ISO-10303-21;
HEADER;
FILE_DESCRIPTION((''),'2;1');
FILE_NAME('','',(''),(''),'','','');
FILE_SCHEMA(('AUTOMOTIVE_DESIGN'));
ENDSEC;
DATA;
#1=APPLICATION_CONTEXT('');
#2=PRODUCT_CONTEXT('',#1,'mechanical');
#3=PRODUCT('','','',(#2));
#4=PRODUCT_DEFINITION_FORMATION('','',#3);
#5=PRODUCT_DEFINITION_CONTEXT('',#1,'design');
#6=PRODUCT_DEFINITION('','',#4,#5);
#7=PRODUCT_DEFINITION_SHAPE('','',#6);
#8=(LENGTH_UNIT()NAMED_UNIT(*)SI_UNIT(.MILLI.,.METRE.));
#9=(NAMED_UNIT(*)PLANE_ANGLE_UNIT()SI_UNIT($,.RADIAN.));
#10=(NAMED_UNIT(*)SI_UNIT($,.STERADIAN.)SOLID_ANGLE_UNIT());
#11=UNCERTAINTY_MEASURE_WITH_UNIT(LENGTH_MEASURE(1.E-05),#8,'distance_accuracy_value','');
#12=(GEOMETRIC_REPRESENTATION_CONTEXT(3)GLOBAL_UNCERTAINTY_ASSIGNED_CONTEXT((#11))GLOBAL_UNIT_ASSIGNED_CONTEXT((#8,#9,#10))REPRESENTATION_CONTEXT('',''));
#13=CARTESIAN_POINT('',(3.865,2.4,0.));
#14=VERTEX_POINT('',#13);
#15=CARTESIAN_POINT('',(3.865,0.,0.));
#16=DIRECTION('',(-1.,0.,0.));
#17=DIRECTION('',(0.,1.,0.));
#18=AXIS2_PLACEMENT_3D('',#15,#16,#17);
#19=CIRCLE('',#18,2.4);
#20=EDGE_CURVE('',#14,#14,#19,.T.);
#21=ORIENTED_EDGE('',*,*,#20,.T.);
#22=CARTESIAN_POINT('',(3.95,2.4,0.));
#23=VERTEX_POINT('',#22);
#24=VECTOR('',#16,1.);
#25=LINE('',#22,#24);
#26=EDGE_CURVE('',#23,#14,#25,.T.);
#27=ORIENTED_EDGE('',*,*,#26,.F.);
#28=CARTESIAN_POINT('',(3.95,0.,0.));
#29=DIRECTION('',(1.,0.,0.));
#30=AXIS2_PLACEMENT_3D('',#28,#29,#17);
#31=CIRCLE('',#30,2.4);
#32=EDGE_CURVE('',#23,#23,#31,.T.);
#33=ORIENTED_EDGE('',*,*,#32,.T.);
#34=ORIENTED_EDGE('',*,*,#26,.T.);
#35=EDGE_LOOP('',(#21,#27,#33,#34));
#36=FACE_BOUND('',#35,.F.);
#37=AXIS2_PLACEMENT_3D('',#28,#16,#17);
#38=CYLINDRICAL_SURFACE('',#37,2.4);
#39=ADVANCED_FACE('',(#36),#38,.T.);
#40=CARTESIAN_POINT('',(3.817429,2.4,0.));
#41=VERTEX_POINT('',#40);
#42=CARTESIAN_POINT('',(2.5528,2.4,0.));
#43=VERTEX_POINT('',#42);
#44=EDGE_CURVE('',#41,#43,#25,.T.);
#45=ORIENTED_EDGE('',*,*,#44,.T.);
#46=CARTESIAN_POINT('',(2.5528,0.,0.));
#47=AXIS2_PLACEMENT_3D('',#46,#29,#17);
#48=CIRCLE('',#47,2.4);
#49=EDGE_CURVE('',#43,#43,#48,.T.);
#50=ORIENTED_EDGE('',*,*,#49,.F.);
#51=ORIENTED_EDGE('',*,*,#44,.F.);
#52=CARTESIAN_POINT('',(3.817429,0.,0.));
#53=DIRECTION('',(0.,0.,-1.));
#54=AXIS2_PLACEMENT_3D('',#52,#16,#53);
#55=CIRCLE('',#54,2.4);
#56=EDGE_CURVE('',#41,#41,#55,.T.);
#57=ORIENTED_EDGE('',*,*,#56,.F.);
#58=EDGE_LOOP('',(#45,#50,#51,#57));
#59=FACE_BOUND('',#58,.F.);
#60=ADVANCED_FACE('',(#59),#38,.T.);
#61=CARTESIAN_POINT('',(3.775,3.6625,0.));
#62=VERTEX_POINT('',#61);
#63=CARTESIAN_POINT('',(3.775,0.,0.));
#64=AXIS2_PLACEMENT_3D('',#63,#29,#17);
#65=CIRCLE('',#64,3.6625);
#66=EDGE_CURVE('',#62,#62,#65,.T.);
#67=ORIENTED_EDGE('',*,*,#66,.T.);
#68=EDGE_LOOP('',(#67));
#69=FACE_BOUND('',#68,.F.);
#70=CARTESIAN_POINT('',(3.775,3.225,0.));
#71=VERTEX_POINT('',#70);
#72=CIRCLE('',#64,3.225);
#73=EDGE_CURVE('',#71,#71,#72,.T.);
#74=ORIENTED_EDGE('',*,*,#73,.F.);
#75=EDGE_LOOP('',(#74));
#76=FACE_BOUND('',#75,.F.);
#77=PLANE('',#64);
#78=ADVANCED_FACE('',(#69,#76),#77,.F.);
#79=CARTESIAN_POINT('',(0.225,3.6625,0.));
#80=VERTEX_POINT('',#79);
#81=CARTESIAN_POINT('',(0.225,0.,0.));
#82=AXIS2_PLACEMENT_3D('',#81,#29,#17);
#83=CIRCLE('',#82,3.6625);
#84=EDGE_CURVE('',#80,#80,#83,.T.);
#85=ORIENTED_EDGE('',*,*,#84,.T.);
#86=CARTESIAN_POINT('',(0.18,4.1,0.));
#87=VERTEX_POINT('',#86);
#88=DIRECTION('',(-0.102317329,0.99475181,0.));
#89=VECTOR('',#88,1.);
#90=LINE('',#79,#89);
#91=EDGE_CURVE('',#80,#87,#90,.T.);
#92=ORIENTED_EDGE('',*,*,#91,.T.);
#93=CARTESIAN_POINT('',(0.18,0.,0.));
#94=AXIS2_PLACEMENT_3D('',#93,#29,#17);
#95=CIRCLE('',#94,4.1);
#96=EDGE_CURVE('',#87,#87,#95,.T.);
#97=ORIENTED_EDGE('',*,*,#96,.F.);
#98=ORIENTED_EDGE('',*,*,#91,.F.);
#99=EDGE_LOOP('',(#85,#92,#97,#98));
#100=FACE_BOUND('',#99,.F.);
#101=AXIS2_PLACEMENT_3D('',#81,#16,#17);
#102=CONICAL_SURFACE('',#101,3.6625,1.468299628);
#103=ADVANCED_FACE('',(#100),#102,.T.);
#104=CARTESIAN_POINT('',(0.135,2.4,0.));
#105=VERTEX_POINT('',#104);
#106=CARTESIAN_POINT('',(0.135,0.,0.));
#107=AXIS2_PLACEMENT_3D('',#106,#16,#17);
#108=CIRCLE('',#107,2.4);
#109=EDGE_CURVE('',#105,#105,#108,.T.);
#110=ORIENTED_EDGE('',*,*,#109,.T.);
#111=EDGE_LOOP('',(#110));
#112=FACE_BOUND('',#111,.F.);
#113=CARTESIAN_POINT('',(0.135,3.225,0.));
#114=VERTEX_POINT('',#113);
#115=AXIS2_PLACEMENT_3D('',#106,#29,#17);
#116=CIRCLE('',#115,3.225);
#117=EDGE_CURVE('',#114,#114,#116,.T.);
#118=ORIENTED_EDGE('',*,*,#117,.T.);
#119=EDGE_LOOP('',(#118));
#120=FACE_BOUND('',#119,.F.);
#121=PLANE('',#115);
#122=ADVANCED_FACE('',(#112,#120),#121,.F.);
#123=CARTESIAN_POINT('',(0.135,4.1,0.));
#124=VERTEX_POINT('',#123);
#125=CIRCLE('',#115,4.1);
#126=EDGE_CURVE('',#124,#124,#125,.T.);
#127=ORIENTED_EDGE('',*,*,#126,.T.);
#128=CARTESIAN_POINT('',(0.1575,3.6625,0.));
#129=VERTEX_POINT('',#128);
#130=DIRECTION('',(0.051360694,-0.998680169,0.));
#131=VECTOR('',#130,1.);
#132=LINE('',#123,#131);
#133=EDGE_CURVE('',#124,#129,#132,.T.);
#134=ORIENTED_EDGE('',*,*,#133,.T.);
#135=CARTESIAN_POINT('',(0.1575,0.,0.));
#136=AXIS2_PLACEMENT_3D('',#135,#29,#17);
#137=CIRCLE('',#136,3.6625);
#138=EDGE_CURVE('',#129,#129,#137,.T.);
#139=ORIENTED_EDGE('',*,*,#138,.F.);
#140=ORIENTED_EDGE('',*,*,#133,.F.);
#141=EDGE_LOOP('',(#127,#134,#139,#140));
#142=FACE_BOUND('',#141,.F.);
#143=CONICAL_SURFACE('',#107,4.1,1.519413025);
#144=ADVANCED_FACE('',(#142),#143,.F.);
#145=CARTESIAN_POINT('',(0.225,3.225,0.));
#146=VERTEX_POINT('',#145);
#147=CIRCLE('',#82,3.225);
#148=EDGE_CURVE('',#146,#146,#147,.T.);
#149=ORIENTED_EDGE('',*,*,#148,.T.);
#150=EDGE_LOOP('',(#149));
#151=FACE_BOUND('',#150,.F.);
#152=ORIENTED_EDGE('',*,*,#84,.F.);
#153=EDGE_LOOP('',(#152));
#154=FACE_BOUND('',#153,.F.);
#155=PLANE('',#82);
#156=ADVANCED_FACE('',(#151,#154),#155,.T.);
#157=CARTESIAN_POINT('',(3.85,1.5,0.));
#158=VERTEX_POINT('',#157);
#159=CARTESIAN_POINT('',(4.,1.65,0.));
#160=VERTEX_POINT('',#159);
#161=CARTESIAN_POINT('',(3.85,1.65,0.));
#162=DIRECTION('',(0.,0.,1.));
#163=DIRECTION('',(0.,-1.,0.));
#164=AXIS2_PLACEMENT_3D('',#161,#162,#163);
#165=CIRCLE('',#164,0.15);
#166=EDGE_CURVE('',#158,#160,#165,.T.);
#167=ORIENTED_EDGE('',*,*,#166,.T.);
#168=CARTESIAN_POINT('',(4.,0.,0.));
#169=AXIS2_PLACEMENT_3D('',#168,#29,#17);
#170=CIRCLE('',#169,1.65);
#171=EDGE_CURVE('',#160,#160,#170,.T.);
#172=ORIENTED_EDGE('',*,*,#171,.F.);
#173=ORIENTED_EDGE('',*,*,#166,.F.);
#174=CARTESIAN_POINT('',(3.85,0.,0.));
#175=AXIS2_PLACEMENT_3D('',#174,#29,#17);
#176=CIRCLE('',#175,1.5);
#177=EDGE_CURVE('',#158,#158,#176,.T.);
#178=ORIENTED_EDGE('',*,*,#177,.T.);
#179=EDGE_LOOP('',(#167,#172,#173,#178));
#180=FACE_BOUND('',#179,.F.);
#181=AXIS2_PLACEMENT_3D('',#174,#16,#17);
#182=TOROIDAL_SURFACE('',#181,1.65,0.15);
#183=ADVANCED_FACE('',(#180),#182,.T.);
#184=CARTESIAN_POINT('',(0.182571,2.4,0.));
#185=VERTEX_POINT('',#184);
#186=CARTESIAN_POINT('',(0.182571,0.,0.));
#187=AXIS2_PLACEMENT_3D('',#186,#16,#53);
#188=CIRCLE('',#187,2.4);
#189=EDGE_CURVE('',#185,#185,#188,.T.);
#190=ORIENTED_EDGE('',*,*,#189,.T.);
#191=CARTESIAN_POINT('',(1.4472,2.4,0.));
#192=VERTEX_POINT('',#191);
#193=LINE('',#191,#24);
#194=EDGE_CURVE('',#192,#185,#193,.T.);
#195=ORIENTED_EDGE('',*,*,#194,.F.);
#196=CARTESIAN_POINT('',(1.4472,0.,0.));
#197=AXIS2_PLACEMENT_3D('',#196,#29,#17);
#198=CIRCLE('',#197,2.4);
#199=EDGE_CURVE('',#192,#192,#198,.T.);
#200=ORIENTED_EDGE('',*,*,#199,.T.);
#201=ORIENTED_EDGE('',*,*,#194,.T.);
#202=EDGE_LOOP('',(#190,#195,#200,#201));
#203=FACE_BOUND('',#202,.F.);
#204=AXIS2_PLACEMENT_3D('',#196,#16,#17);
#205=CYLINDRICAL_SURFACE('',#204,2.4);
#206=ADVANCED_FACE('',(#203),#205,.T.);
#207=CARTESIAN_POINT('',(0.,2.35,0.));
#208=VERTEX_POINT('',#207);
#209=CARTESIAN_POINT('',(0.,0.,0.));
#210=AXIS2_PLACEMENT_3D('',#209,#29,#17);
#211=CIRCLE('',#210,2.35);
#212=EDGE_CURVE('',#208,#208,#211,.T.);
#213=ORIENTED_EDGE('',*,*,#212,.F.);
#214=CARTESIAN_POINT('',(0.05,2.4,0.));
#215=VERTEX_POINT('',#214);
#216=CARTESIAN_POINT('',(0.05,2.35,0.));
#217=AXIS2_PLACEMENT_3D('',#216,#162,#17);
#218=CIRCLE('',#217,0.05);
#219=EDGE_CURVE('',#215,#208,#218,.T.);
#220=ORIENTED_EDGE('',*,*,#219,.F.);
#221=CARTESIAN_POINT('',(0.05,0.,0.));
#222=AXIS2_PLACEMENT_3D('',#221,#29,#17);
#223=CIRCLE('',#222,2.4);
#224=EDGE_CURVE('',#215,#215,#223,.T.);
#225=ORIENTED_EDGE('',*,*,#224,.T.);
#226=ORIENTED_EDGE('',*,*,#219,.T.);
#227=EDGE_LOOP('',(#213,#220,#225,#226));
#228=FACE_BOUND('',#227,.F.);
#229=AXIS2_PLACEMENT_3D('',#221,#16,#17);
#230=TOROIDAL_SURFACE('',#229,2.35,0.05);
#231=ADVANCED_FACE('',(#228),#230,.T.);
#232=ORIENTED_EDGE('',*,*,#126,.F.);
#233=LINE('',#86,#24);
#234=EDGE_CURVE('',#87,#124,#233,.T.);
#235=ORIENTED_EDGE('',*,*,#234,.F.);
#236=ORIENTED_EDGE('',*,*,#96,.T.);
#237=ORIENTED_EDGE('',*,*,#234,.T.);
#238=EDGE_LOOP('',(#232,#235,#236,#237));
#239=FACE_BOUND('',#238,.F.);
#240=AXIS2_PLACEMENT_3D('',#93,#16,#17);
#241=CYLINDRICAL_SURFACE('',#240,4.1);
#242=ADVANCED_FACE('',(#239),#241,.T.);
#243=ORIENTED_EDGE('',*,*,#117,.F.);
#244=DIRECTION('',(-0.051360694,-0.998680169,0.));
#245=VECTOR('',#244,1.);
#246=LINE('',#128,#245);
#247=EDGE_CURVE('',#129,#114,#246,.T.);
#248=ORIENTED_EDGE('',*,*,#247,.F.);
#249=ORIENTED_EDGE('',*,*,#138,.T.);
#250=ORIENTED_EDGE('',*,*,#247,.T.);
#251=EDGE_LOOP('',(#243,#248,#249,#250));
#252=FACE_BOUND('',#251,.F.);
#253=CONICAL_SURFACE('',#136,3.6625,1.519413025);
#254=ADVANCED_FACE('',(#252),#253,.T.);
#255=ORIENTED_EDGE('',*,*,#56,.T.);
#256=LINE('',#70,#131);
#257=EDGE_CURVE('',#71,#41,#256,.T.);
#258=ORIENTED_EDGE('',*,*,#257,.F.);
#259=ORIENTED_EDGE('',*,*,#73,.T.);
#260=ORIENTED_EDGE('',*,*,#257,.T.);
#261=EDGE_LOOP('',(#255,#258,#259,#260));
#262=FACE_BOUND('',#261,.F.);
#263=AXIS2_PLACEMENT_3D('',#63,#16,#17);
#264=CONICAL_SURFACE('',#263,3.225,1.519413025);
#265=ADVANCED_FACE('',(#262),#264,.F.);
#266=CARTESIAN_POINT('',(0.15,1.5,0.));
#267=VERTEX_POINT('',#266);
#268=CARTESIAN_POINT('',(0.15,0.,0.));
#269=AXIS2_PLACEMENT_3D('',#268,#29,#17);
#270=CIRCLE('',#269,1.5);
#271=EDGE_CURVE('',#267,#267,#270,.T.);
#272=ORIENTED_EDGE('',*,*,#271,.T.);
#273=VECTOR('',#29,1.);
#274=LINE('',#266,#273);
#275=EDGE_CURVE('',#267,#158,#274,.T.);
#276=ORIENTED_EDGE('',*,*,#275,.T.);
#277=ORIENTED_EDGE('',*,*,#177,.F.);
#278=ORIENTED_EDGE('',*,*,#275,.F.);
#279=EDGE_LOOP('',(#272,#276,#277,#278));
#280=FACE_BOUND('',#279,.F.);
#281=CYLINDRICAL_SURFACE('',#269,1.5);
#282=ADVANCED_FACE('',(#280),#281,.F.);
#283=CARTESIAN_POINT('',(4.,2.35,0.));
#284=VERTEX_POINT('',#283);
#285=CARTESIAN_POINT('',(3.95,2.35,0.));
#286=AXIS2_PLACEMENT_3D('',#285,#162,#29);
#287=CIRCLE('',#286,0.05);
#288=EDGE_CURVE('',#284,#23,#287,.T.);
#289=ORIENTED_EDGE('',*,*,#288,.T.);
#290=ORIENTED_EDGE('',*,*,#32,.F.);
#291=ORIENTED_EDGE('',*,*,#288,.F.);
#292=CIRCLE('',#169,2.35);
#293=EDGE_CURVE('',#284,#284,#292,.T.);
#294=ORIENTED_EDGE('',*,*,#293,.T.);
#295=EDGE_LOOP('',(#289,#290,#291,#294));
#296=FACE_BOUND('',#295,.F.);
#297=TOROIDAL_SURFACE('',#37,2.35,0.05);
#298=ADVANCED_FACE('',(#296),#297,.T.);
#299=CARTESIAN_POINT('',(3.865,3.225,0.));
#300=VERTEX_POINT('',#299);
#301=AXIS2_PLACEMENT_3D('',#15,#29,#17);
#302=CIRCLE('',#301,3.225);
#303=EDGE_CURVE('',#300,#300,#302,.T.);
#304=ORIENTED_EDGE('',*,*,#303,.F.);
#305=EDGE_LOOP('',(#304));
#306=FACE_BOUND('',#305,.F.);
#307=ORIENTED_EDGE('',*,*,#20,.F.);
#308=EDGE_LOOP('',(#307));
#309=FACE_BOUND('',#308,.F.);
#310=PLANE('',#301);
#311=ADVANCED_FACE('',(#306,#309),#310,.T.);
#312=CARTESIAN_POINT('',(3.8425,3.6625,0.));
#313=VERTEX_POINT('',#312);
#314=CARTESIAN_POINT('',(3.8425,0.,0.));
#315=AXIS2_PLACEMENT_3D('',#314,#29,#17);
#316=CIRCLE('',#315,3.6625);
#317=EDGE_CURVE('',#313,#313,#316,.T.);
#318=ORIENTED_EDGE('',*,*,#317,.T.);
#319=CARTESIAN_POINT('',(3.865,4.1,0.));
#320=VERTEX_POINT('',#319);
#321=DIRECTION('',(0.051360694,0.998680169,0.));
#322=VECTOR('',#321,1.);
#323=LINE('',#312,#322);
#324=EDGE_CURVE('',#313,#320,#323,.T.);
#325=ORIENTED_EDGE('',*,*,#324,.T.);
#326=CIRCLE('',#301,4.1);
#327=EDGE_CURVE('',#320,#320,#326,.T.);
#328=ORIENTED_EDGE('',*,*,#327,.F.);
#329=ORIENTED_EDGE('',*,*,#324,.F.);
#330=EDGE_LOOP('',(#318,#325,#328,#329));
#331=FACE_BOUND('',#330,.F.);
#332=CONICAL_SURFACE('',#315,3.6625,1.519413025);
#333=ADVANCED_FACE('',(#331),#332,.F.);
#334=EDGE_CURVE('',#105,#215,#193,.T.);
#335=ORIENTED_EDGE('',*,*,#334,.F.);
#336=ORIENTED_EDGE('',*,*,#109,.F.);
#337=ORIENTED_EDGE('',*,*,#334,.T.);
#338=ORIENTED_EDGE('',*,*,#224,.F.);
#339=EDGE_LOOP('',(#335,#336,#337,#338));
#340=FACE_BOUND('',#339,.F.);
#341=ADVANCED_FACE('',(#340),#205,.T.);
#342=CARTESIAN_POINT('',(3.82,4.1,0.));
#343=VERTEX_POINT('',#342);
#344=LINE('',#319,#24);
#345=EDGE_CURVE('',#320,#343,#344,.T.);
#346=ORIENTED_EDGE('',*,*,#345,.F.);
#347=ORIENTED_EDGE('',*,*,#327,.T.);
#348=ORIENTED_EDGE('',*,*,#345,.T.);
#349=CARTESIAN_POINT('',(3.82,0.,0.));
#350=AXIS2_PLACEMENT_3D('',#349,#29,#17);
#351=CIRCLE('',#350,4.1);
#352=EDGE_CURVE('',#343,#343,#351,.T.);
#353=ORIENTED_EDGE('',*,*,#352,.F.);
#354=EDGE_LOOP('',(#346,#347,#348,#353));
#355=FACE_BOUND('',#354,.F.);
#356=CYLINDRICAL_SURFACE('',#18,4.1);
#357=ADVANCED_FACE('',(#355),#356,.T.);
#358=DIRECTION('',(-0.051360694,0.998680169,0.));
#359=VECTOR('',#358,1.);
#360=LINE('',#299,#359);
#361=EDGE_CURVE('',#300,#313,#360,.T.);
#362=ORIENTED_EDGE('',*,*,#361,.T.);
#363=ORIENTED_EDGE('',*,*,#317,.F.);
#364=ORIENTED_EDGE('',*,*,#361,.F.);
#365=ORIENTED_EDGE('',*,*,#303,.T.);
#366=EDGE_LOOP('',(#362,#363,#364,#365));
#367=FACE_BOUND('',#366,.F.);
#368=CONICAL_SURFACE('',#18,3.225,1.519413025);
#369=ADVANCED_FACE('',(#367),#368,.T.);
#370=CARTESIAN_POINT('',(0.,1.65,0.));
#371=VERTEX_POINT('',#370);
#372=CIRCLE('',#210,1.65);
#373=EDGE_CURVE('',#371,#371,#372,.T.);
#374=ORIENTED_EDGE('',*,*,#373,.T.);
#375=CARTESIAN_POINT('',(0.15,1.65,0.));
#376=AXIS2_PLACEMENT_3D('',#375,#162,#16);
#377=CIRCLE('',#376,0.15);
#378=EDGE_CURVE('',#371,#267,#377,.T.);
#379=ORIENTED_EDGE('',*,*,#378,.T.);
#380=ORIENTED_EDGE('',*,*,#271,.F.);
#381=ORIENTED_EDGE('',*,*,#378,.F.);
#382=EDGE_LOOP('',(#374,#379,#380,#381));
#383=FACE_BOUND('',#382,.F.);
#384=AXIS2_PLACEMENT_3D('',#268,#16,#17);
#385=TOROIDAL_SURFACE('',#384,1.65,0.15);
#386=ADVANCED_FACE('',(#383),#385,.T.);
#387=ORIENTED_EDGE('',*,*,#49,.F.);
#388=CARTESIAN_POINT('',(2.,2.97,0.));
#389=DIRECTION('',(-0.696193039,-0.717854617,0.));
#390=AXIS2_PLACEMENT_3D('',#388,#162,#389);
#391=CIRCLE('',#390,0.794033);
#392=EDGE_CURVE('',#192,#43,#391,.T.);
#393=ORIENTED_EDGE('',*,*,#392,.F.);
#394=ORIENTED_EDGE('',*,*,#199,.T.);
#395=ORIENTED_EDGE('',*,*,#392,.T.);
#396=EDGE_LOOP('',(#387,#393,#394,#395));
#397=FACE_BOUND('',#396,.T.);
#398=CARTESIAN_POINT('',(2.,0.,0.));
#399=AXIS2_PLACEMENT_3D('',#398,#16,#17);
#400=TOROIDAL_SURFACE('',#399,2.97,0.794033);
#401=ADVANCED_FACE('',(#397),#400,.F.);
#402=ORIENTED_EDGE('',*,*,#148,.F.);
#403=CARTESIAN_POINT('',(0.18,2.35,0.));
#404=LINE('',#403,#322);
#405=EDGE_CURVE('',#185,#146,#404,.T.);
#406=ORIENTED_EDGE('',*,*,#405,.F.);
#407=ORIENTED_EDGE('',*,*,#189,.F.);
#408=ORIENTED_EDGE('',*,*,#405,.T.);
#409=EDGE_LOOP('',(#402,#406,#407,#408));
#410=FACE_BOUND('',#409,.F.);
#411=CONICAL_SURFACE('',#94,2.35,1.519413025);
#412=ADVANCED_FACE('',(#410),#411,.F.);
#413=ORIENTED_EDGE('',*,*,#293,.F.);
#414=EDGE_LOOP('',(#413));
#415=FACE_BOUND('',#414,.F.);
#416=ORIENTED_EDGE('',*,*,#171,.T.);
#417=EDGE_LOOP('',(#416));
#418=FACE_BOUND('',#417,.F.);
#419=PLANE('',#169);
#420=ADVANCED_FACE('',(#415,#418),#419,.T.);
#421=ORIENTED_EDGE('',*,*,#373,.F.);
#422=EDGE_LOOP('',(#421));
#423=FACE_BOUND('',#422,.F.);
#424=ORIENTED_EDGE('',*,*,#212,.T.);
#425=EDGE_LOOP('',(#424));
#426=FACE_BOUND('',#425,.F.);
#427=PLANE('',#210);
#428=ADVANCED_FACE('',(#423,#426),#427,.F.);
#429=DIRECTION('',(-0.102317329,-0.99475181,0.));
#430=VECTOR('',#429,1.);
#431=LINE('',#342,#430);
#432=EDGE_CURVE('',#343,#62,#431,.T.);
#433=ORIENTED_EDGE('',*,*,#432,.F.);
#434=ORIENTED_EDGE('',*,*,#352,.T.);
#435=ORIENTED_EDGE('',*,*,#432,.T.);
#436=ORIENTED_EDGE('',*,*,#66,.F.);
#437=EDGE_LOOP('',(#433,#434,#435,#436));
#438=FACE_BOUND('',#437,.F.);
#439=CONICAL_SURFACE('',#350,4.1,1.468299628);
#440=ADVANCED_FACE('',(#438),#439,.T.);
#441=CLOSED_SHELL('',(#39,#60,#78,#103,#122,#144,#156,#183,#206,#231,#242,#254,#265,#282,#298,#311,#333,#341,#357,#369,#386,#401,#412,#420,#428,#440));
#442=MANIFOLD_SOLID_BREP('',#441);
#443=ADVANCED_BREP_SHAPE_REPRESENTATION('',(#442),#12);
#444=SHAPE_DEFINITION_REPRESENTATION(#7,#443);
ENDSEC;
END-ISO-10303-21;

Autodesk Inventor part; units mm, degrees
sketch "Sketch_55" plane through (0, 0, 0) normal (0, 0, 1) x (1, 0, 0)
  line L0 (50, 0) -> (-50, 0)
  line L1 (0, 2.35) -> (0, 1.65)
  arc A0 (0, 1.65) -> (0.15, 1.5) centre (0.15, 1.65) ccw
  line L2 (0.15, 1.5) -> (3.85, 1.5)
  arc A1 (3.85, 1.5) -> (4, 1.65) centre (3.85, 1.65) ccw
  line L3 (4, 1.65) -> (4, 2.35)
  arc A2 (4, 2.35) -> (3.95, 2.4) centre (3.95, 2.35) ccw
  line L4 (3.95, 2.4) -> (2.5528, 2.4)
  arc A3 (1.4472, 2.4) -> (2.5528, 2.4) centre (2, 2.97) ccw
  line L5 (1.4472, 2.4) -> (0.05, 2.4)
  arc A4 (0.05, 2.4) -> (0, 2.35) centre (0.05, 2.35) ccw
revolve "Revolution1" add sketch "Sketch_55" angle 360 about axis through (50, 0, 0) along (1, 0, 0)
sketch "Sketch_57" plane through (0, 0, 0) normal (0, 0, 1) x (1, 0, 0)
  line L0 (5, 0) -> (-5, 0)
  line L1 (0.135, 4.1) -> (0.1575, 3.6625)
  line L2 (0.1575, 3.6625) -> (0.135, 3.225)
  line L3 (0.135, 3.225) -> (0.135, 2.35)
  line L4 (0.135, 2.35) -> (0.18, 2.35)
  line L5 (0.18, 2.35) -> (0.225, 3.225)
  line L6 (0.225, 3.225) -> (0.225, 3.6625)
  line L7 (0.225, 3.6625) -> (0.18, 4.1)
  line L8 (0.18, 4.1) -> (0.135, 4.1)
revolve "Revolution2" add sketch "Sketch_57" angle 360 about axis through (5, 0, 0) along (1, 0, 0)
sketch "Sketch_66" plane through (0, 0, 0) normal (0, 0, 1) x (1, 0, 0)
  line L0 (50, 0) -> (-50, 0)
  line L1 (3.775, 3.225) -> (3.82, 2.35)
  line L2 (3.82, 2.35) -> (3.865, 2.35)
  line L3 (3.865, 2.35) -> (3.865, 3.225)
  line L4 (3.865, 3.225) -> (3.8425, 3.6625)
  line L5 (3.8425, 3.6625) -> (3.865, 4.1)
  line L6 (3.865, 4.1) -> (3.82, 4.1)
  line L7 (3.82, 4.1) -> (3.775, 3.6625)
  line L8 (3.775, 3.6625) -> (3.775, 3.225)
revolve "Revolution3" add sketch "Sketch_66" angle 360 about axis through (50, 0, 0) along (1, 0, 0)
ref_plane "ir_XY" through (0, 0, 0) normal (0, 0, 1) x (1, 0, 0)
ref_plane "ir_YZ" through (0, 0, 0) normal (1, 0, 0) x (0, 1, 0)
ref_plane "ir_ZX" through (0, 0, 0) normal (0, 1, 0) x (0, 0, 1)
properties part number "SKF_623-2RS1_ir"
